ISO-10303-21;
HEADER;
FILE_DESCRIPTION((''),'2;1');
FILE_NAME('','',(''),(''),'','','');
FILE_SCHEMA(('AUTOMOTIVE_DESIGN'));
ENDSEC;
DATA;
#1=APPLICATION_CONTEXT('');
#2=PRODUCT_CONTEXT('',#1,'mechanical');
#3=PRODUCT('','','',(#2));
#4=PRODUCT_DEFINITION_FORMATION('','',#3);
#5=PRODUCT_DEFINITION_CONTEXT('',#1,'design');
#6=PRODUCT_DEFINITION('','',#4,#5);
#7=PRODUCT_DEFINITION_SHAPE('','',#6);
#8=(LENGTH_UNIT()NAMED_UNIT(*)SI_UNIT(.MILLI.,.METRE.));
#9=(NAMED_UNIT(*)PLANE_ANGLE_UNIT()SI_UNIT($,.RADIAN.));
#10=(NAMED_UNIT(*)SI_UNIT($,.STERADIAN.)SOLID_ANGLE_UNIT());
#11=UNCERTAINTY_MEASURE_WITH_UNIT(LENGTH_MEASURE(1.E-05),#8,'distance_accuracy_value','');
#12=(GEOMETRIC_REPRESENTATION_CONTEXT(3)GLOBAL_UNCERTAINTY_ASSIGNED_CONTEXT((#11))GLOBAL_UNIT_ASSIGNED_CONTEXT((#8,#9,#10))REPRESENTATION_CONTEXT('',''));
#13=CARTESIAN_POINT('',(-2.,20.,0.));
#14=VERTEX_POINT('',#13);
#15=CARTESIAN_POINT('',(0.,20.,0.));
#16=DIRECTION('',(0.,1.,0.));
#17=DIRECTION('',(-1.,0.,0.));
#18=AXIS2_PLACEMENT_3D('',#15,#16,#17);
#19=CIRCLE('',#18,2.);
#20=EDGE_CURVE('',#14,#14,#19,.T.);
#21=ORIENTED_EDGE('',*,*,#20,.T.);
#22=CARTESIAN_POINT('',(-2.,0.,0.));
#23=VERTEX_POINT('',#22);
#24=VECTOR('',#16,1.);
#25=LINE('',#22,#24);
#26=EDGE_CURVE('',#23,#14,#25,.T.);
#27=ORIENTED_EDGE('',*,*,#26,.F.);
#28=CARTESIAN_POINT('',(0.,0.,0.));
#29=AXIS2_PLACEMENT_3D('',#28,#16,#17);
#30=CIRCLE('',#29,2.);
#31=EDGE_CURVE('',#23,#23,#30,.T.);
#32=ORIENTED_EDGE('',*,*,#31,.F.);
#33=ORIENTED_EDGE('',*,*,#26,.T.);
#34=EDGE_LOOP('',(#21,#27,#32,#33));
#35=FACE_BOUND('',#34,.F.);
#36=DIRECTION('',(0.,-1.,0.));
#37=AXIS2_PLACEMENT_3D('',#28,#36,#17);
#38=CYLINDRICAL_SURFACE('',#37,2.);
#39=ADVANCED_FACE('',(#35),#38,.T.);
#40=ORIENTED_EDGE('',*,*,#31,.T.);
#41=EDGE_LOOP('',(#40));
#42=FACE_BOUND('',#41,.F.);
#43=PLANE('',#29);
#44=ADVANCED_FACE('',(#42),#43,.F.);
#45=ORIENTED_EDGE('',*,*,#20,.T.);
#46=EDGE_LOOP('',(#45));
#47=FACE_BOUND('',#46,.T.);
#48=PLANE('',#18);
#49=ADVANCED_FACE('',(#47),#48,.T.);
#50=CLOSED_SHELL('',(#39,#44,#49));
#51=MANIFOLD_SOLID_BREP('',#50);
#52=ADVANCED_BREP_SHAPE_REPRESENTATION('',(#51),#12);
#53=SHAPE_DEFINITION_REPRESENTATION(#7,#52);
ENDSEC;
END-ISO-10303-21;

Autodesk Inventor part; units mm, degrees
ref_plane "YZ Plane" through (0, 0, 0) normal (1, 0, 0) x (0, 1, 0)
ref_plane "XZ Plane" through (0, 0, 0) normal (0, 1, 0) x (-1, 0, 0)
ref_plane "XY Plane" through (0, 0, 0) normal (0, 0, 1) x (1, 0, 0)
sketch "草图1" plane through (0, 0, 0) normal (0, 1, 0) x (-1, 0, 0)
  circle A0 centre (0, 0) radius 2
  dimension "直径" = 4
extrude "拉伸1" add sketch "草图1" along normal blind 20
properties part number "连接销" material "木材(桦木)"
